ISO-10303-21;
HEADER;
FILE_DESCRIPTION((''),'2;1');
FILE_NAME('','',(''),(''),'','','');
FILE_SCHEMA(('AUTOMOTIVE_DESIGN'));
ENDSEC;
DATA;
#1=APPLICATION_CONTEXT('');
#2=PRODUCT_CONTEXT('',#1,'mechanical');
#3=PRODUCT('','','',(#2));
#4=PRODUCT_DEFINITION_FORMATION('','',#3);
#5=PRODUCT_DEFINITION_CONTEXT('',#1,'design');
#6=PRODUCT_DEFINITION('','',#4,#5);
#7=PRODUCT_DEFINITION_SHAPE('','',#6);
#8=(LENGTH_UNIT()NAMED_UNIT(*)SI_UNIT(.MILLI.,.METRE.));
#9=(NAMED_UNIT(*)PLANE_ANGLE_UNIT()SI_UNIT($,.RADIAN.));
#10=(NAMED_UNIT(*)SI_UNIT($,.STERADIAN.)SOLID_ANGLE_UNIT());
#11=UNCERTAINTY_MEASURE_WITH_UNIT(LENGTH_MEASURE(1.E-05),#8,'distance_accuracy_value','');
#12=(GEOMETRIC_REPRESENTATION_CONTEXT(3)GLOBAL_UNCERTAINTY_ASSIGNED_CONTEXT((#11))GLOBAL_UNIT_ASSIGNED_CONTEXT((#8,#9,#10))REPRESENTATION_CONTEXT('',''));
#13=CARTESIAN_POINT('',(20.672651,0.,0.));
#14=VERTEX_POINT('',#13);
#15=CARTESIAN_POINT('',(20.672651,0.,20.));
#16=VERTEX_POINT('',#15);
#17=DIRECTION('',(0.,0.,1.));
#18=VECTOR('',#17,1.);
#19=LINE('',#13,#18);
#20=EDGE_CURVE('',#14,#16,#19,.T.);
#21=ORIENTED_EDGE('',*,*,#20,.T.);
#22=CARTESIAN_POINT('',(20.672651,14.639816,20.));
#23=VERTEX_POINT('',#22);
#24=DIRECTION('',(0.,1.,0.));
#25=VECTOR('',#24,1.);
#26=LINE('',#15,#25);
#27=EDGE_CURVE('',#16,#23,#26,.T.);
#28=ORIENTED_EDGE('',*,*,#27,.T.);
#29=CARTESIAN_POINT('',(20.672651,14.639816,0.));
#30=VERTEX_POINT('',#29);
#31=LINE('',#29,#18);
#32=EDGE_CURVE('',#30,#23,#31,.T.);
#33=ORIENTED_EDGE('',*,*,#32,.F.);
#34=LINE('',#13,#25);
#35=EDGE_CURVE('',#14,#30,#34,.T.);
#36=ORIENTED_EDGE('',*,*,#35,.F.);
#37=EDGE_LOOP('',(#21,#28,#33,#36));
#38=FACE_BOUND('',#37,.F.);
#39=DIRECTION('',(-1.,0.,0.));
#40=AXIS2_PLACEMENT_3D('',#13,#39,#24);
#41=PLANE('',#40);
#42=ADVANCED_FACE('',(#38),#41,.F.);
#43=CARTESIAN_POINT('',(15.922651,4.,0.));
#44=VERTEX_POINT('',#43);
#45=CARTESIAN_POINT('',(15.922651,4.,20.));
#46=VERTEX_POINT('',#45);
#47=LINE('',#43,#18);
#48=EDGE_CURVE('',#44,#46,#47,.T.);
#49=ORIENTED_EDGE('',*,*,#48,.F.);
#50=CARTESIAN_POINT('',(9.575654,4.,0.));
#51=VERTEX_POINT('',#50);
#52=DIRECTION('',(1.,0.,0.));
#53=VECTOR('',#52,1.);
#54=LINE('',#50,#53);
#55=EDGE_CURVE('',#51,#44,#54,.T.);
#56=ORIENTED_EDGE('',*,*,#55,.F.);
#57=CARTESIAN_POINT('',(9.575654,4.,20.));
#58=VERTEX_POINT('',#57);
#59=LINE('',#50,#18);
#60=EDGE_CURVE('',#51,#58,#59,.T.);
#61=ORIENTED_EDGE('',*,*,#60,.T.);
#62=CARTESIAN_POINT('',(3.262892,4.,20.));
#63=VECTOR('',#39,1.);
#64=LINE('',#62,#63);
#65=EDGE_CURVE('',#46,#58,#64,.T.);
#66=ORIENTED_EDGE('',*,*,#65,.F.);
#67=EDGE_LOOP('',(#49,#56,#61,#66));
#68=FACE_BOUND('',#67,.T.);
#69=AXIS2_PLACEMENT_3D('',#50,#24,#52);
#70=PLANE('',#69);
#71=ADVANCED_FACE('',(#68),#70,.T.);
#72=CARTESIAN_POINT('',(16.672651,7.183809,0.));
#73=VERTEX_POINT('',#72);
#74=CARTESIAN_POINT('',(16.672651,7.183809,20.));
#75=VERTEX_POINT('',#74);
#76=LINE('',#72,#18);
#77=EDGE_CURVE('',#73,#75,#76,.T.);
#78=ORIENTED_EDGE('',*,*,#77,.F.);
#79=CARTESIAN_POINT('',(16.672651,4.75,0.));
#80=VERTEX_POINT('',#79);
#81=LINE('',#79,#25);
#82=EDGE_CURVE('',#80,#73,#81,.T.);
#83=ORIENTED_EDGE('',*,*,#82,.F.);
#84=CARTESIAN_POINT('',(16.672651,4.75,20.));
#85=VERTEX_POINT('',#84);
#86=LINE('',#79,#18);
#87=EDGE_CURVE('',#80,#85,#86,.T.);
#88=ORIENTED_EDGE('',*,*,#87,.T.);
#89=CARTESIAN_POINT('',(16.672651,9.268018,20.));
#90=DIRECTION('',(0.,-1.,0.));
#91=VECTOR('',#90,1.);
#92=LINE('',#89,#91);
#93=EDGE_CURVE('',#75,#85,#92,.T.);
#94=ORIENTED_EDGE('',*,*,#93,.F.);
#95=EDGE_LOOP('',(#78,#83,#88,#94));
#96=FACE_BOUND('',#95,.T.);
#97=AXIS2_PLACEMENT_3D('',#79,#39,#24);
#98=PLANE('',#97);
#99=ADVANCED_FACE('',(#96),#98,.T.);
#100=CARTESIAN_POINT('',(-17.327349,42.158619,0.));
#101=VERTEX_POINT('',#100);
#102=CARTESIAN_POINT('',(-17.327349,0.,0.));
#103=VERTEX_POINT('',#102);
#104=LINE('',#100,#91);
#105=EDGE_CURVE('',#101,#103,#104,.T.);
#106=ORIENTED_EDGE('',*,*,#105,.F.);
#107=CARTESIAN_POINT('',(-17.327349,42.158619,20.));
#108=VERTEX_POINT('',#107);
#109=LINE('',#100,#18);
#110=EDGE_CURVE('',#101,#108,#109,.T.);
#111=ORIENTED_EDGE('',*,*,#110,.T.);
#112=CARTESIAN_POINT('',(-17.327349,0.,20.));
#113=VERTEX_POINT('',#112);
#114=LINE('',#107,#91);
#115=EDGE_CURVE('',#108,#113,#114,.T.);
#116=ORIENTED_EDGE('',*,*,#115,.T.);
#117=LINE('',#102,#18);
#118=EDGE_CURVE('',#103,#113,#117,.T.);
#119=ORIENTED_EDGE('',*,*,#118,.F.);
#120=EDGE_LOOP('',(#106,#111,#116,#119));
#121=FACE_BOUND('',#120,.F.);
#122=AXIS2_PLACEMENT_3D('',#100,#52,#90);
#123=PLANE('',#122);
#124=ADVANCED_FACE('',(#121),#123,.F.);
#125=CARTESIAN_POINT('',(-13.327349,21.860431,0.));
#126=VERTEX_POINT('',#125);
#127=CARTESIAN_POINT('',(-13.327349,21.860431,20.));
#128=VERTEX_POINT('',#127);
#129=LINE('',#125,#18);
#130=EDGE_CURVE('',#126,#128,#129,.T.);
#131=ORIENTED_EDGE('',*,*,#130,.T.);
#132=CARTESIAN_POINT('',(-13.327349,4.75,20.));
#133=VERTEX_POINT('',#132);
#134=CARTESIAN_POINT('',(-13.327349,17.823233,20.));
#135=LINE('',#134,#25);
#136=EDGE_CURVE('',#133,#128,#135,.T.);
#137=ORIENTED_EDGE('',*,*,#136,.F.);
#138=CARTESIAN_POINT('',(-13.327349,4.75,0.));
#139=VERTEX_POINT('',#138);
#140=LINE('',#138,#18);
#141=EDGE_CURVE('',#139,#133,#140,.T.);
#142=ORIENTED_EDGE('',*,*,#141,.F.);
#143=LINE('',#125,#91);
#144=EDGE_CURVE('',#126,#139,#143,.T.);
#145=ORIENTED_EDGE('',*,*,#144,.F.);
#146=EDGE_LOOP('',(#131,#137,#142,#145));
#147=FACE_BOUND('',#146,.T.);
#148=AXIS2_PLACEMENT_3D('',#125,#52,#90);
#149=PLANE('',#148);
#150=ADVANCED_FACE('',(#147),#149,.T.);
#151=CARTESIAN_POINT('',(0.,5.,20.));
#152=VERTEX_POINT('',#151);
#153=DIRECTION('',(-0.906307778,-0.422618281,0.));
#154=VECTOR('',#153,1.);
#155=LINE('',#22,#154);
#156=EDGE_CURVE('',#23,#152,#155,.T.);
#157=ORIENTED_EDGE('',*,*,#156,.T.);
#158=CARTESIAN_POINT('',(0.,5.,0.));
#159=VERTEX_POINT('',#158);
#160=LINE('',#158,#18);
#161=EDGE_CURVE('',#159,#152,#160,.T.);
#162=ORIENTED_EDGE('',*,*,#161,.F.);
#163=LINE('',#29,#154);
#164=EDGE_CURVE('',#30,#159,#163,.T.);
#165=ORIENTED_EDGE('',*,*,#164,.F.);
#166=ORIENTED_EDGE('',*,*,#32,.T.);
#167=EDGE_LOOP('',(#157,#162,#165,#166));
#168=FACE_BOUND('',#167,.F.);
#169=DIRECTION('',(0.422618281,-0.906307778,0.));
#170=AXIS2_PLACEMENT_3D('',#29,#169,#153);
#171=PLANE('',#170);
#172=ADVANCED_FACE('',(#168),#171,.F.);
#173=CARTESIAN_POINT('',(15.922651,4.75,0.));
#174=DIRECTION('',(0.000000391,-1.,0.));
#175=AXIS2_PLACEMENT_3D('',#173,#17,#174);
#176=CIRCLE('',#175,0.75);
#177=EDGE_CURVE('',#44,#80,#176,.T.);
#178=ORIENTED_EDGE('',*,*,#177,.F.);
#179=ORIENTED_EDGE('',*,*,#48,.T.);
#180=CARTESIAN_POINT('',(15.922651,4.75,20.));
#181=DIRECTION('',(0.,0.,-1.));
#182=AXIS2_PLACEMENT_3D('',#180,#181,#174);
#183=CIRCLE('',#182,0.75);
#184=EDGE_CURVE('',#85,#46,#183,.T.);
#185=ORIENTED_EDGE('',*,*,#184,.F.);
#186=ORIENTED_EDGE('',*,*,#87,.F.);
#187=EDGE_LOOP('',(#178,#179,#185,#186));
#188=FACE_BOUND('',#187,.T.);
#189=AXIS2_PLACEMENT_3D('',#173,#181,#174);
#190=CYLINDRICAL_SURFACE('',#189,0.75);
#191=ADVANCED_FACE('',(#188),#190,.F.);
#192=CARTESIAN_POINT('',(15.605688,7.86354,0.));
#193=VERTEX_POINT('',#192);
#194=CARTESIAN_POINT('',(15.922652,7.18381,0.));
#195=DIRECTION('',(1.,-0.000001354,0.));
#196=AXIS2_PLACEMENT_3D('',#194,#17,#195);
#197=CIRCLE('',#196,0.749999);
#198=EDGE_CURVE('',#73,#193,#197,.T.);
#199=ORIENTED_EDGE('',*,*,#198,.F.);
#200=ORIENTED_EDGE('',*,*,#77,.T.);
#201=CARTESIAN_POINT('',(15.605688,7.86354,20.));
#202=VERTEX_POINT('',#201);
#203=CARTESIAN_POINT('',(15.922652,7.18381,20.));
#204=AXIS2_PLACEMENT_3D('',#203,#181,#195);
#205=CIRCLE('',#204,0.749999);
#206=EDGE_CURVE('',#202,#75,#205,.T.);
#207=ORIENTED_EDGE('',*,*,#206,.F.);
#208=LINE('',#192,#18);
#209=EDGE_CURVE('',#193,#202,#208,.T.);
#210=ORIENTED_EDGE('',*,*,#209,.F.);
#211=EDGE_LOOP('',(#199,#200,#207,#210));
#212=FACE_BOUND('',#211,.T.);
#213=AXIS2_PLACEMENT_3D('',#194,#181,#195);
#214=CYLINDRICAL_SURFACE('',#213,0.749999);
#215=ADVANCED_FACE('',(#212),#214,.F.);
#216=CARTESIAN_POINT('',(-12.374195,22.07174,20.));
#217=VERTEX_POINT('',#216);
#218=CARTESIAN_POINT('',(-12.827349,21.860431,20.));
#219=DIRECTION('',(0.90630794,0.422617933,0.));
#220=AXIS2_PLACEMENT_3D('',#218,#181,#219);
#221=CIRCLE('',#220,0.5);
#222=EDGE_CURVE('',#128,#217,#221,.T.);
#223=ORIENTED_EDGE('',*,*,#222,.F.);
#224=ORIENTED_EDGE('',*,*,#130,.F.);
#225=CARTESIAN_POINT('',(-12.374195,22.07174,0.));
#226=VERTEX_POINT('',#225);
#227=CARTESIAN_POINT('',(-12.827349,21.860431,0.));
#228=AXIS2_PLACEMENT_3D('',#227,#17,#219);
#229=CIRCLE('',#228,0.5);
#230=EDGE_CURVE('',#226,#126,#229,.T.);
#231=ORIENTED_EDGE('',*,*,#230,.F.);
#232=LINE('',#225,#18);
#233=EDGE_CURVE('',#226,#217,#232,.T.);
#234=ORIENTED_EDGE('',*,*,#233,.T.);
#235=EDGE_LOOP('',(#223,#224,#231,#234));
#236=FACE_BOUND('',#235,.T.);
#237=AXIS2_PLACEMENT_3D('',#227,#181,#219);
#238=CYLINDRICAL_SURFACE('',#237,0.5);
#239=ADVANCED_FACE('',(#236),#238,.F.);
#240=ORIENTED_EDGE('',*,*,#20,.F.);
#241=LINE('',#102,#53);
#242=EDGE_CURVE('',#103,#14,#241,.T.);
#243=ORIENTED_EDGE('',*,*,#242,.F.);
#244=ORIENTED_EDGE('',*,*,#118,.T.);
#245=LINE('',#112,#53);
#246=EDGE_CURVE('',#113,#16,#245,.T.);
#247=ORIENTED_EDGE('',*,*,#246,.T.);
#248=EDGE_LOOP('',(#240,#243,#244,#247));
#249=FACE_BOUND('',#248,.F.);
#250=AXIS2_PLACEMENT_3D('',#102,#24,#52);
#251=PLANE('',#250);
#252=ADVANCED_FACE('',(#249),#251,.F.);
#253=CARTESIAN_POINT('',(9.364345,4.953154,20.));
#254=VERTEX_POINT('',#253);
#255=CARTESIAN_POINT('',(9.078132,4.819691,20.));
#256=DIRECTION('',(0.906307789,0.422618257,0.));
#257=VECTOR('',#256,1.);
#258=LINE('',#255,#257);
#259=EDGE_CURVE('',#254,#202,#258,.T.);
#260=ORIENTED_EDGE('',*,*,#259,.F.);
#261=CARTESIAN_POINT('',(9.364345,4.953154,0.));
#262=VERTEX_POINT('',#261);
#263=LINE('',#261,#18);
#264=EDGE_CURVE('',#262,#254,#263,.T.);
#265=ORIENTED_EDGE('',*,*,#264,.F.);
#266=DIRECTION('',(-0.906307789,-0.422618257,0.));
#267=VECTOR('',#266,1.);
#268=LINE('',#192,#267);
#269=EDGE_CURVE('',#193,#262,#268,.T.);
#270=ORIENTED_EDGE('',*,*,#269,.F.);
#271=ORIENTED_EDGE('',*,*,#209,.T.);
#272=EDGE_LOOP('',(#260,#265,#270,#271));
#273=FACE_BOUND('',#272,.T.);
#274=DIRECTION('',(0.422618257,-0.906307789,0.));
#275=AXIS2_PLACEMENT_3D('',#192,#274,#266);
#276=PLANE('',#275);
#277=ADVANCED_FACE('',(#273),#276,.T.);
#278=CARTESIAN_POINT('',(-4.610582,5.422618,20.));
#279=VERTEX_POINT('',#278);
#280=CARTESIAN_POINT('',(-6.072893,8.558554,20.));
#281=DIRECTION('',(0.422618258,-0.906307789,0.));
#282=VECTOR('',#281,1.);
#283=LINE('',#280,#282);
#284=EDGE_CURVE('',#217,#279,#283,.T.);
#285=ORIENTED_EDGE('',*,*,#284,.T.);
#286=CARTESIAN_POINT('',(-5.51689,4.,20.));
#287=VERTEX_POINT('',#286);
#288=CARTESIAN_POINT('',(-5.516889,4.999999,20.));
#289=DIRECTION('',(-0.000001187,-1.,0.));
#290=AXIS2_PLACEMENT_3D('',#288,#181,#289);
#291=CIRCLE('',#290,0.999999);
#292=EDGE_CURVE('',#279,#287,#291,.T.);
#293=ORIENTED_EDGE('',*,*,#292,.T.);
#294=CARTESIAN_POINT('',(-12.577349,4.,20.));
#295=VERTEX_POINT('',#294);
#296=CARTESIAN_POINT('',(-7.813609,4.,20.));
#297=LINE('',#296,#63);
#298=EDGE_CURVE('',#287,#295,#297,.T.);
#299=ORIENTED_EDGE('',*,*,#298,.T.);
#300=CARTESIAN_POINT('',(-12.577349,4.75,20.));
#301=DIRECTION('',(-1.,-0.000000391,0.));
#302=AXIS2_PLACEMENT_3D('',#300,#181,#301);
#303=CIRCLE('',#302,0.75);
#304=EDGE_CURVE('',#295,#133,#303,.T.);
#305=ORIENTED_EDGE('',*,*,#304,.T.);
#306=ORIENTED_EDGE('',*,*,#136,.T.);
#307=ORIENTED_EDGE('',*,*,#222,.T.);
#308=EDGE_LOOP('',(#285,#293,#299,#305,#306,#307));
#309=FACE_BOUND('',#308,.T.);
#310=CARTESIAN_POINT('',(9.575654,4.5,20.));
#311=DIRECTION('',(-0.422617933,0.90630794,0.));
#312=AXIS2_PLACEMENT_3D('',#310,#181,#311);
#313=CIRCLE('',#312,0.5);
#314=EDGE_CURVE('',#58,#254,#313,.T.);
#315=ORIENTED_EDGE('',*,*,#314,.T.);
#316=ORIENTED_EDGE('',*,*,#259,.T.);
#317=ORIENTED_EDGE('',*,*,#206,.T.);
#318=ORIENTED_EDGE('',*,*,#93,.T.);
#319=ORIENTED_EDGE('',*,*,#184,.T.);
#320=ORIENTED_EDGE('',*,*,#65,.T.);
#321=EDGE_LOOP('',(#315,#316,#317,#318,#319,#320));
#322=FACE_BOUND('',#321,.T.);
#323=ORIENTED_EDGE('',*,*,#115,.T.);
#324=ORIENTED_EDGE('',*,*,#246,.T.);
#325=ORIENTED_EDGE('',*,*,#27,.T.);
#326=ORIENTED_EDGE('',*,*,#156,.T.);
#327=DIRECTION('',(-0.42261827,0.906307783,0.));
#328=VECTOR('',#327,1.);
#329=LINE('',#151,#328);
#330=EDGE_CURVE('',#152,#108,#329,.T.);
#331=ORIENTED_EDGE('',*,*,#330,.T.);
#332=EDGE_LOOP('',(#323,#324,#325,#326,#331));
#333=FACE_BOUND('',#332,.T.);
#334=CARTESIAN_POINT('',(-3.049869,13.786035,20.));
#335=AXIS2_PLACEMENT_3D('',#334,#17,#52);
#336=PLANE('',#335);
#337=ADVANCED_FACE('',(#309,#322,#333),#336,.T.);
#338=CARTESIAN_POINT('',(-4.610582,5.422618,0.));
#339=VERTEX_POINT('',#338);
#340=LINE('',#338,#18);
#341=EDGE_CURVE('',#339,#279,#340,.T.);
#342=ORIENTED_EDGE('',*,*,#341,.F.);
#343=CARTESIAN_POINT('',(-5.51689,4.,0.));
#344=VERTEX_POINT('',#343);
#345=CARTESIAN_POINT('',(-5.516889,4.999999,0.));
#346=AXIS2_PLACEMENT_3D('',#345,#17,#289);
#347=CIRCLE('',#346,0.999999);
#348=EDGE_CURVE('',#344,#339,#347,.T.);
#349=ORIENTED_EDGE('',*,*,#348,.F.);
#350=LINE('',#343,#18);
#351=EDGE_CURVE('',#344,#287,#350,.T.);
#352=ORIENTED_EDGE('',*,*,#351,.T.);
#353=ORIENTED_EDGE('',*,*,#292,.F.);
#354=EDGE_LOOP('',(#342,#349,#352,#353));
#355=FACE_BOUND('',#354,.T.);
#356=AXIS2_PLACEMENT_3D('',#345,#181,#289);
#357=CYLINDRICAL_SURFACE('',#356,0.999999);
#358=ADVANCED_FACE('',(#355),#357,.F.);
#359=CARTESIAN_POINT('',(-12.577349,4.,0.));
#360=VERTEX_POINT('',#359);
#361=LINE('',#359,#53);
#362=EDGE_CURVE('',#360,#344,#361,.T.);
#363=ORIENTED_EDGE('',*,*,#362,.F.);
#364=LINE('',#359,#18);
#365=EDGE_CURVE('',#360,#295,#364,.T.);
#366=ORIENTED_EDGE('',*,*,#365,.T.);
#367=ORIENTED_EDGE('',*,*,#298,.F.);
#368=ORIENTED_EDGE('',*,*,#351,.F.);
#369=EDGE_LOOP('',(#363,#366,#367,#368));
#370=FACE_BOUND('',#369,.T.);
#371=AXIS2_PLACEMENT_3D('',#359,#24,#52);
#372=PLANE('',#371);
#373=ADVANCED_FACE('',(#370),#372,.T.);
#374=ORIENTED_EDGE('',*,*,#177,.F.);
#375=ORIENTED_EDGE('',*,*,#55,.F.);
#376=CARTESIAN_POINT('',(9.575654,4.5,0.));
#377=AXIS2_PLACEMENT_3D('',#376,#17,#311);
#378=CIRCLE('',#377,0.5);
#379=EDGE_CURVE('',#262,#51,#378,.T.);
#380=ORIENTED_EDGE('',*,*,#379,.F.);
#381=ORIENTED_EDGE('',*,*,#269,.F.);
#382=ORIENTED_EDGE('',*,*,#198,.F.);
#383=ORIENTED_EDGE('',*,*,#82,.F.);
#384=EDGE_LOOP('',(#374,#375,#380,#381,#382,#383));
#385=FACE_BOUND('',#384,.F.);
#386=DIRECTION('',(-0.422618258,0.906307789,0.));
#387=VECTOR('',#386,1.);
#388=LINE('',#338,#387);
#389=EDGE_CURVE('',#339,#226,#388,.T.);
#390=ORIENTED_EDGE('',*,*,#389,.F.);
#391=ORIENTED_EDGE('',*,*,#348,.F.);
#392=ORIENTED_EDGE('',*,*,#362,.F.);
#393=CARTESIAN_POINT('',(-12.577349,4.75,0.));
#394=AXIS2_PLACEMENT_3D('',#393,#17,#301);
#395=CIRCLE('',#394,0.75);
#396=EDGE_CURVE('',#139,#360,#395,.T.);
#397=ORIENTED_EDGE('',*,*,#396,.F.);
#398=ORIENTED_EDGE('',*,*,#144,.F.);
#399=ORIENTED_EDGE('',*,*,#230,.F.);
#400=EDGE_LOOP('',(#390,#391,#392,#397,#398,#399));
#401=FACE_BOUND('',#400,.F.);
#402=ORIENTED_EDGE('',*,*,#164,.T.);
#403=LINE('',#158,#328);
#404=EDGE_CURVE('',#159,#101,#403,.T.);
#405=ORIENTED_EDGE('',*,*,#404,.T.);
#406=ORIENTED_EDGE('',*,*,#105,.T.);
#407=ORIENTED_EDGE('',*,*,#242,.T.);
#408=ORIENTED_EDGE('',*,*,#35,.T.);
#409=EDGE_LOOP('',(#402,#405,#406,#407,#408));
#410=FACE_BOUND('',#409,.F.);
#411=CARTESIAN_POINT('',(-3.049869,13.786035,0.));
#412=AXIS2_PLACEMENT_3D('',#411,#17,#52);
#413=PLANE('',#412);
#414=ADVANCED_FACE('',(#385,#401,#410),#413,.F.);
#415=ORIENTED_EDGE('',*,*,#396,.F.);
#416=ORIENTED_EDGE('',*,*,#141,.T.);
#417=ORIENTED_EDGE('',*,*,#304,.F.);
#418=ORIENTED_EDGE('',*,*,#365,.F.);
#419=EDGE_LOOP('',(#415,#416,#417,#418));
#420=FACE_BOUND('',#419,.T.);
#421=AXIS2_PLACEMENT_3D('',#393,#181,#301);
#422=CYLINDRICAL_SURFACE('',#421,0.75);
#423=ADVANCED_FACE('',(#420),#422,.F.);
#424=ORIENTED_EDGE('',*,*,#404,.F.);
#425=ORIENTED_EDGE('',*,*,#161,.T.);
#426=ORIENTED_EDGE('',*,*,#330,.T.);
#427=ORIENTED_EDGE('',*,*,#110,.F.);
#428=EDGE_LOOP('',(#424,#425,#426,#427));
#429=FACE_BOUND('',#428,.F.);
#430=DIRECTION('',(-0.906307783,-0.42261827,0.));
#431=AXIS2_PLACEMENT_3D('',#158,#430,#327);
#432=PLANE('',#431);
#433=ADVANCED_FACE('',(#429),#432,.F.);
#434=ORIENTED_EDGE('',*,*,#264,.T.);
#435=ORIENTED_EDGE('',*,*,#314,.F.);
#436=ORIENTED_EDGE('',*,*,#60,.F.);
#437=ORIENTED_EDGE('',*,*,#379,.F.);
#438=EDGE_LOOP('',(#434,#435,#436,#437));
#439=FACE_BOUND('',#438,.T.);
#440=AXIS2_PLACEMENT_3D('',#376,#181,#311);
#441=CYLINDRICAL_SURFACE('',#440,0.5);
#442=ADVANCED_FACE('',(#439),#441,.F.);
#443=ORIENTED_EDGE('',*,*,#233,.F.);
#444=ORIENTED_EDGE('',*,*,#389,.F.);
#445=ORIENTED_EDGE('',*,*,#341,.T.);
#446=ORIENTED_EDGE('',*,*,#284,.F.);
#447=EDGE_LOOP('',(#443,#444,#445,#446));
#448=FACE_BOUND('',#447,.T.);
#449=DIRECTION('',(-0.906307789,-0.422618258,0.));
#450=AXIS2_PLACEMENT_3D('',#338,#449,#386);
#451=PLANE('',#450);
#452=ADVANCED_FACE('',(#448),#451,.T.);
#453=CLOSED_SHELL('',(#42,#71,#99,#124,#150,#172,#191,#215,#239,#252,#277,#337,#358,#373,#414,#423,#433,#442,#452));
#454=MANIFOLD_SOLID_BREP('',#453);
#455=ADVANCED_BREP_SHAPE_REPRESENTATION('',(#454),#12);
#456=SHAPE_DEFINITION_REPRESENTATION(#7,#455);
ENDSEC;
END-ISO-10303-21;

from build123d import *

# Parameters (mm, degrees)
F1_DEPTH = 20
F3_DEPTH = 25


with BuildPart() as f1:
    # F0 (on Top) → F1 (new body)
    with BuildSketch(Plane.XY):
        Polygon((-17.327349, 0), (0, 0), (20.672651, 0), (20.672651, 14.639816), (0, 5), (-17.327349, 42.158619), align=None)
    extrude(amount=F1_DEPTH)

    # F2 (on Top) → F3 (cut)
    with BuildSketch(Plane.XY):
        with BuildLine():
            ThreePointArc((-13.327349, 4.75), (-13.107679, 4.21967), (-12.577349, 4))
            Line((-12.577349, 4), (-5.51689, 4))
            ThreePointArc((-5.51689, 4), (-4.673498, 4.4627), (-4.610582, 5.422618))
            Line((-4.610582, 5.422618), (-12.374195, 22.07174))
            ThreePointArc((-12.374195, 22.07174), (-12.935569, 22.348579), (-13.327349, 21.860431))
            Line((-13.327349, 21.860431), (-13.327349, 4.75))
        make_face()
        with BuildLine():
            ThreePointArc((16.672651, 7.183809), (16.325626, 7.816353), (15.605688, 7.86354))
            Line((15.605688, 7.86354), (9.364345, 4.953154))
            ThreePointArc((9.364345, 4.953154), (9.087506, 4.39178), (9.575654, 4))
            Line((9.575654, 4), (15.922651, 4))
            ThreePointArc((15.922651, 4), (16.452981, 4.21967), (16.672651, 4.75))
            Line((16.672651, 4.75), (16.672651, 7.183809))
        make_face()
    extrude(amount=F3_DEPTH, mode=Mode.SUBTRACT)


solid = f1.part
